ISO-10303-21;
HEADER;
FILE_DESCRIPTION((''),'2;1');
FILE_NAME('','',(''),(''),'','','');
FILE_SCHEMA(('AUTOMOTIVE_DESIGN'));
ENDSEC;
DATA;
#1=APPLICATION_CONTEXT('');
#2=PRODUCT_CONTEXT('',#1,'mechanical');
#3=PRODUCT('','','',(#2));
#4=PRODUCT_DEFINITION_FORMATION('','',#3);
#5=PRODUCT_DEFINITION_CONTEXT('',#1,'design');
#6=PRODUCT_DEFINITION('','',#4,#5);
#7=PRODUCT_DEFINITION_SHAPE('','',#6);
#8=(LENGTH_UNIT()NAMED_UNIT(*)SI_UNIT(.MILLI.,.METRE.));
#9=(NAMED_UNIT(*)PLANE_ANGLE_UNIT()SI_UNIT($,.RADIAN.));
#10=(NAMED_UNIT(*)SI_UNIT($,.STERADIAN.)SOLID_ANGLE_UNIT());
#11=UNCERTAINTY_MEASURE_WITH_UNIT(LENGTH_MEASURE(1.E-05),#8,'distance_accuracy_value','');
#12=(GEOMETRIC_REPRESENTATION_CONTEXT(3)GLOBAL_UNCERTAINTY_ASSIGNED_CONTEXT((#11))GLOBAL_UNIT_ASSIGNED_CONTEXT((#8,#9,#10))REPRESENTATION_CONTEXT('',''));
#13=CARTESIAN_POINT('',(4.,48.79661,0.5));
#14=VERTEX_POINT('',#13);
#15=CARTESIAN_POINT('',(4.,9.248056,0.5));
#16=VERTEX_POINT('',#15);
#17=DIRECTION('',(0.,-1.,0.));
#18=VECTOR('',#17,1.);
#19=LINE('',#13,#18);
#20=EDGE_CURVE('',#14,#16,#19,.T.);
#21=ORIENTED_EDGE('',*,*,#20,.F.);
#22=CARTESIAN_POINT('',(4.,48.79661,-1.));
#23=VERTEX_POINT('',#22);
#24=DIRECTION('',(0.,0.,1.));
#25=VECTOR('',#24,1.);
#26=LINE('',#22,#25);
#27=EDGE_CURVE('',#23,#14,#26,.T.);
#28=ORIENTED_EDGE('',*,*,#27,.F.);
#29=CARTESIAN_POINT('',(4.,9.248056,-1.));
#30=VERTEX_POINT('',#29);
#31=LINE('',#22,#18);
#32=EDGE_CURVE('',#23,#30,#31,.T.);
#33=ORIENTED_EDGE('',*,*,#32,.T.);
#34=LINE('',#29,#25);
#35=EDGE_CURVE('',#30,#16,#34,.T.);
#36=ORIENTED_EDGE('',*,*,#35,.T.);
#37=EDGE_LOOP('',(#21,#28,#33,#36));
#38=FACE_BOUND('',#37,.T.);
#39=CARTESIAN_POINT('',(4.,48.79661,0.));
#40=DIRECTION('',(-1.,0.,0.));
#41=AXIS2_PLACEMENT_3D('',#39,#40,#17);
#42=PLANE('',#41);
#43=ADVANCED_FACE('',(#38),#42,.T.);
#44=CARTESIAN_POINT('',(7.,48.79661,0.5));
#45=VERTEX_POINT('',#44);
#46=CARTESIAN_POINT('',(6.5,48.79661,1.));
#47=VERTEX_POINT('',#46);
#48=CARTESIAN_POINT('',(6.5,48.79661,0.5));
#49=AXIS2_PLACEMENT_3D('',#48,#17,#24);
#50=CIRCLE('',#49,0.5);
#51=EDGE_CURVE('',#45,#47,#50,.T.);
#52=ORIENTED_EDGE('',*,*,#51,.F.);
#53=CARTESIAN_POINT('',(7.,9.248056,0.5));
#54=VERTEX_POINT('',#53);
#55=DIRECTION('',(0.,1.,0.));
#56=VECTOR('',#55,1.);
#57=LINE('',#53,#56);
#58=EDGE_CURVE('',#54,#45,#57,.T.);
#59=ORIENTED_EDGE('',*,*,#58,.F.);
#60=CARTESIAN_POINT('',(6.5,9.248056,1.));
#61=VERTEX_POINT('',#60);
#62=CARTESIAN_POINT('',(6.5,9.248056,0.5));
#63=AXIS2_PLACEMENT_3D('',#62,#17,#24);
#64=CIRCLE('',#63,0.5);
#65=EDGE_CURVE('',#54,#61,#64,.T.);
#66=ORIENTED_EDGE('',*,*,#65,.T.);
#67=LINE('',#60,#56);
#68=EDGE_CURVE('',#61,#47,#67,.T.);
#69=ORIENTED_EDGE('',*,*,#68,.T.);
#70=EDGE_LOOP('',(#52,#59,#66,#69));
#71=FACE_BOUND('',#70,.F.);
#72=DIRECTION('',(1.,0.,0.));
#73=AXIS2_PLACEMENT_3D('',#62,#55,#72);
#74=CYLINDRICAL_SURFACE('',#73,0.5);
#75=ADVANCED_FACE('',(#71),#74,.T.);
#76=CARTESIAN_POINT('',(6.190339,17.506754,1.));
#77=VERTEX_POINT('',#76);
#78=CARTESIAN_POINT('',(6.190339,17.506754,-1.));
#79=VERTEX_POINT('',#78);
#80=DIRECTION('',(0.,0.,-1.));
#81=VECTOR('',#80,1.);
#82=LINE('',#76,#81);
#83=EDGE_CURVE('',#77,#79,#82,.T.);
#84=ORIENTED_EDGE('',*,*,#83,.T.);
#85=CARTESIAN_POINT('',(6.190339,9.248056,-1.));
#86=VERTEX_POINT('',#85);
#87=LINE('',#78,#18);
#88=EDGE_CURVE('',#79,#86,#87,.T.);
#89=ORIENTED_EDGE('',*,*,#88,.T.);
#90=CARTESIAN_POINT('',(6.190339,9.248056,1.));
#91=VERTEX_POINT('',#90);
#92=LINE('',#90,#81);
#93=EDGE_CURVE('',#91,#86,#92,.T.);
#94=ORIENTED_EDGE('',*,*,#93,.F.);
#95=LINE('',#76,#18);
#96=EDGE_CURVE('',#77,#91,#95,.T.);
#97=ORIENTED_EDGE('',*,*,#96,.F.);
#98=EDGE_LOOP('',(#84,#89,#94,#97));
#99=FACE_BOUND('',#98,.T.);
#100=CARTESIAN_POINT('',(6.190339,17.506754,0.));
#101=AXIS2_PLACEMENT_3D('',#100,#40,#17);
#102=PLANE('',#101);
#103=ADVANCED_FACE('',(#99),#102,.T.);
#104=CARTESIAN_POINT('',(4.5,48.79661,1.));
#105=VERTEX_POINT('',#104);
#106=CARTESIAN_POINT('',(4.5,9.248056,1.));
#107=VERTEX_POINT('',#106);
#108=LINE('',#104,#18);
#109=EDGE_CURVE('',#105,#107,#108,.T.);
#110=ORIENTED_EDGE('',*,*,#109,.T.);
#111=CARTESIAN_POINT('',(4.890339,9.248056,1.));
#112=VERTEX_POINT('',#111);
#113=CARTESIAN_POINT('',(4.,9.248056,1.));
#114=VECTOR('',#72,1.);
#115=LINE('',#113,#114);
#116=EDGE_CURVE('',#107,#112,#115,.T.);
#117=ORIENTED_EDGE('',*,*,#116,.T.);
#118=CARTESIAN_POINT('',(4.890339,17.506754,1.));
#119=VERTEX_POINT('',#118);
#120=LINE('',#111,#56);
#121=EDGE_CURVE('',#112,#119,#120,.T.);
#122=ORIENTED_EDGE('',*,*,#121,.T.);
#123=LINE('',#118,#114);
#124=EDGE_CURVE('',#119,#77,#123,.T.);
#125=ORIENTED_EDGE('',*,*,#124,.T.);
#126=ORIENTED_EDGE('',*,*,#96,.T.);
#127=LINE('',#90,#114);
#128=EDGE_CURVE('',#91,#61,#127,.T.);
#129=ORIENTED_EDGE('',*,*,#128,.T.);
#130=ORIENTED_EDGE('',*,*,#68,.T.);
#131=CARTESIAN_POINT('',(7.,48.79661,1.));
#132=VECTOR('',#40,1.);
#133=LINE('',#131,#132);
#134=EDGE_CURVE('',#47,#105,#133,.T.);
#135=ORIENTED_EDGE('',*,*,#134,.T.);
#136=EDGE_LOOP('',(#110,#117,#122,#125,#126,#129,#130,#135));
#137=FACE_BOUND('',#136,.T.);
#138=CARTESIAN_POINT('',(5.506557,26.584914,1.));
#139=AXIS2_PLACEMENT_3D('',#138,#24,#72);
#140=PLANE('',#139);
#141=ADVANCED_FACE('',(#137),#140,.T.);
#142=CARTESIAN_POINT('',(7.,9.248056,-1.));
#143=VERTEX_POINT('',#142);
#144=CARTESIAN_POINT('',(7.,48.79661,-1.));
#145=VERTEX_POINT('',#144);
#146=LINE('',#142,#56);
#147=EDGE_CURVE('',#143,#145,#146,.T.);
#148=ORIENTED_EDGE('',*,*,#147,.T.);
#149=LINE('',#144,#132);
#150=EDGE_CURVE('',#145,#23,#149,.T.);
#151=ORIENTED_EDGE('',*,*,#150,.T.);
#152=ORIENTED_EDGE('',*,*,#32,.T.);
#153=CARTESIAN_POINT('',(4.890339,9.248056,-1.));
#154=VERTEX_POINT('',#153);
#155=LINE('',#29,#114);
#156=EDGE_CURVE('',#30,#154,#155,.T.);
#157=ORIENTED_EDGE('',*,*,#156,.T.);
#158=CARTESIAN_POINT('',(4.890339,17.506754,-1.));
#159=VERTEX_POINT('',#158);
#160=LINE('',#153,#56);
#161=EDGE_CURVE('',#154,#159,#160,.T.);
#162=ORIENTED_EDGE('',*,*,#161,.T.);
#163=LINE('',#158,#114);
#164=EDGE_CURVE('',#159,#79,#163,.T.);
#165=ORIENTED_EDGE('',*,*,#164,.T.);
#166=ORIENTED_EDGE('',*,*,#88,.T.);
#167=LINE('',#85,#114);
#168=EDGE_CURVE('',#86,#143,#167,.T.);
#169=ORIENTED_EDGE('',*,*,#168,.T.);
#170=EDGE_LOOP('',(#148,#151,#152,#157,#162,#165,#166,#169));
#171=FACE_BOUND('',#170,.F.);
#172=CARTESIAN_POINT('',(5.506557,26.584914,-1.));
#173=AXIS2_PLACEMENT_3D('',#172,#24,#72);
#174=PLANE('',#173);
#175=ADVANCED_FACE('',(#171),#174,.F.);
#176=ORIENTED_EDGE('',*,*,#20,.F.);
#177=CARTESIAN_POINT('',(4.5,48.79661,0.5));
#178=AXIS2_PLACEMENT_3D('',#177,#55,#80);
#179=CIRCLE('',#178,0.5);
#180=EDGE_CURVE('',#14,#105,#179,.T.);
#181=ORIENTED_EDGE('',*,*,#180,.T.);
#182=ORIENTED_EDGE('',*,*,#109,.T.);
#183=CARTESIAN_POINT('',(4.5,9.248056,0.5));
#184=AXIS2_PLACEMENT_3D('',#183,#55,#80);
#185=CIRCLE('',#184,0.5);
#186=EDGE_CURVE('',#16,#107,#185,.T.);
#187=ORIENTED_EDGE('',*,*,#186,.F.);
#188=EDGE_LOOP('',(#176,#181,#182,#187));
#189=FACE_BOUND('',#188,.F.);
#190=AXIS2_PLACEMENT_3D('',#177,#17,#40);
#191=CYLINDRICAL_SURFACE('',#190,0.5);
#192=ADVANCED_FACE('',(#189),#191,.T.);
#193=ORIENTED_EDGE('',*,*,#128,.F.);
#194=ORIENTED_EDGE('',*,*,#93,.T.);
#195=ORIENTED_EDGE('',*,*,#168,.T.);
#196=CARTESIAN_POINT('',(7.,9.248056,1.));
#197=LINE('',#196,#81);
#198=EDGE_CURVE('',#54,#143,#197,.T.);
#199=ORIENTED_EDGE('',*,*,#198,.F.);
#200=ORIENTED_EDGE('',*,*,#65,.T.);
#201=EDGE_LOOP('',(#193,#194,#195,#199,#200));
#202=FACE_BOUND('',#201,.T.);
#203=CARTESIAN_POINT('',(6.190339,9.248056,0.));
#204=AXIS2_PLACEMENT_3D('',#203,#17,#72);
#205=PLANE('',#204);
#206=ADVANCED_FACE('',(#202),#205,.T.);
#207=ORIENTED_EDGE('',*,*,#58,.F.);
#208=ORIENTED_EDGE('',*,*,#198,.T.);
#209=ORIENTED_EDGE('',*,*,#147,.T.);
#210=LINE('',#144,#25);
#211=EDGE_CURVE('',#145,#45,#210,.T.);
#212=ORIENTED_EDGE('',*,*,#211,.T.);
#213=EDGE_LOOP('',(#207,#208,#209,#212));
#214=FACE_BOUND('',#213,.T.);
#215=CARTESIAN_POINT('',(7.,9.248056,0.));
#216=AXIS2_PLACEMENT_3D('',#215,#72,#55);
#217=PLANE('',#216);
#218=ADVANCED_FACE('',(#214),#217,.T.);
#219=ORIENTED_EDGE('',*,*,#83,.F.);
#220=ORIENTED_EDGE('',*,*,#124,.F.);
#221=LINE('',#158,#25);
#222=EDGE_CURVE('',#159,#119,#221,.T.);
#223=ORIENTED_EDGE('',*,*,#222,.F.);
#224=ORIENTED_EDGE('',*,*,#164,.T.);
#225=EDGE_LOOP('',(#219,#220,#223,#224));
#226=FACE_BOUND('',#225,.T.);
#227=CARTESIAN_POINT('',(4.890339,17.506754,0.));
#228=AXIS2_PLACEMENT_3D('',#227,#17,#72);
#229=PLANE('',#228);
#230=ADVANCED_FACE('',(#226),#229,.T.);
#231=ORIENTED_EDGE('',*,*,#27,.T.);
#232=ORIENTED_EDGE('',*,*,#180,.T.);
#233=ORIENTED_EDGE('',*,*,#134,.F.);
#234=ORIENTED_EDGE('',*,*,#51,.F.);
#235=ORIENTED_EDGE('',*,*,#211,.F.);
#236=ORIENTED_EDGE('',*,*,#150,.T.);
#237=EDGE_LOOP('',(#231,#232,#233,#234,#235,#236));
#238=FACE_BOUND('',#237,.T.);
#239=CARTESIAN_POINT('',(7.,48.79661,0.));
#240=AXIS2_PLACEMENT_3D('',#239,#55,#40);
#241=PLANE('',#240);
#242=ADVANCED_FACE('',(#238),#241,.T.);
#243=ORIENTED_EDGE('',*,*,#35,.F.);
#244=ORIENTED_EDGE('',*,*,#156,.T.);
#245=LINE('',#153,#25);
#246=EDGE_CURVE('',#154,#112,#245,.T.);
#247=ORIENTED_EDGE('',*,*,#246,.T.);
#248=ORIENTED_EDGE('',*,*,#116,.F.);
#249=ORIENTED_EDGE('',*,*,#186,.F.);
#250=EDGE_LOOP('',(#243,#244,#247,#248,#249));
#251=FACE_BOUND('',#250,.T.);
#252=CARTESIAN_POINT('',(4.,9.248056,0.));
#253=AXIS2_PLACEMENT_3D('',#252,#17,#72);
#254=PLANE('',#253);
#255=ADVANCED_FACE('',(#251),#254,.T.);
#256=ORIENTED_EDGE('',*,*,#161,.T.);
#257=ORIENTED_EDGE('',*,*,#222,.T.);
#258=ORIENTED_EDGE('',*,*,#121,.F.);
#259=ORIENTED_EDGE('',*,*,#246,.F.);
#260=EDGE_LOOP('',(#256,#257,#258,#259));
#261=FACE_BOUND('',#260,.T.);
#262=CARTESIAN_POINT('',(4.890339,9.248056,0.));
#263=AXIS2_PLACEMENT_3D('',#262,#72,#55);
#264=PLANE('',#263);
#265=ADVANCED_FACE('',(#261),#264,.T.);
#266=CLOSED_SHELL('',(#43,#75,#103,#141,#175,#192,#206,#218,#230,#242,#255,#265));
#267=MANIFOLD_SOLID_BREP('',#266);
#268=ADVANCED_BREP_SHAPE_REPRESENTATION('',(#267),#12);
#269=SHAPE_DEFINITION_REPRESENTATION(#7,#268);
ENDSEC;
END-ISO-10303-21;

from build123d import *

# Parameters (mm, degrees)
F1_DEPTH      = 1
F1_DEPTH_BACK = 1
F2_R          = 0.5


with BuildPart() as f1:
    # F0 (on Top) → F1 (new body, two sides)
    with BuildSketch(Plane.XY) as f1_sk:
        Polygon((7, 9.248056), (7, 48.79661), (4, 48.79661), (4, 9.248056), (4.890339, 9.248056), (4.890339, 17.506754), (6.190339, 17.506754), (6.190339, 9.248056), align=None)
    extrude(amount=F1_DEPTH)
    extrude(f1_sk.sketch, amount=-F1_DEPTH_BACK)

    # F2
    f2_edges = [f1.edges().sort_by_distance(p)[0] for p in [
        (4, 29.022333, 1),
        (7, 29.022333, 1),
    ]]
    fillet(f2_edges, radius=F2_R)


solid = f1.part
